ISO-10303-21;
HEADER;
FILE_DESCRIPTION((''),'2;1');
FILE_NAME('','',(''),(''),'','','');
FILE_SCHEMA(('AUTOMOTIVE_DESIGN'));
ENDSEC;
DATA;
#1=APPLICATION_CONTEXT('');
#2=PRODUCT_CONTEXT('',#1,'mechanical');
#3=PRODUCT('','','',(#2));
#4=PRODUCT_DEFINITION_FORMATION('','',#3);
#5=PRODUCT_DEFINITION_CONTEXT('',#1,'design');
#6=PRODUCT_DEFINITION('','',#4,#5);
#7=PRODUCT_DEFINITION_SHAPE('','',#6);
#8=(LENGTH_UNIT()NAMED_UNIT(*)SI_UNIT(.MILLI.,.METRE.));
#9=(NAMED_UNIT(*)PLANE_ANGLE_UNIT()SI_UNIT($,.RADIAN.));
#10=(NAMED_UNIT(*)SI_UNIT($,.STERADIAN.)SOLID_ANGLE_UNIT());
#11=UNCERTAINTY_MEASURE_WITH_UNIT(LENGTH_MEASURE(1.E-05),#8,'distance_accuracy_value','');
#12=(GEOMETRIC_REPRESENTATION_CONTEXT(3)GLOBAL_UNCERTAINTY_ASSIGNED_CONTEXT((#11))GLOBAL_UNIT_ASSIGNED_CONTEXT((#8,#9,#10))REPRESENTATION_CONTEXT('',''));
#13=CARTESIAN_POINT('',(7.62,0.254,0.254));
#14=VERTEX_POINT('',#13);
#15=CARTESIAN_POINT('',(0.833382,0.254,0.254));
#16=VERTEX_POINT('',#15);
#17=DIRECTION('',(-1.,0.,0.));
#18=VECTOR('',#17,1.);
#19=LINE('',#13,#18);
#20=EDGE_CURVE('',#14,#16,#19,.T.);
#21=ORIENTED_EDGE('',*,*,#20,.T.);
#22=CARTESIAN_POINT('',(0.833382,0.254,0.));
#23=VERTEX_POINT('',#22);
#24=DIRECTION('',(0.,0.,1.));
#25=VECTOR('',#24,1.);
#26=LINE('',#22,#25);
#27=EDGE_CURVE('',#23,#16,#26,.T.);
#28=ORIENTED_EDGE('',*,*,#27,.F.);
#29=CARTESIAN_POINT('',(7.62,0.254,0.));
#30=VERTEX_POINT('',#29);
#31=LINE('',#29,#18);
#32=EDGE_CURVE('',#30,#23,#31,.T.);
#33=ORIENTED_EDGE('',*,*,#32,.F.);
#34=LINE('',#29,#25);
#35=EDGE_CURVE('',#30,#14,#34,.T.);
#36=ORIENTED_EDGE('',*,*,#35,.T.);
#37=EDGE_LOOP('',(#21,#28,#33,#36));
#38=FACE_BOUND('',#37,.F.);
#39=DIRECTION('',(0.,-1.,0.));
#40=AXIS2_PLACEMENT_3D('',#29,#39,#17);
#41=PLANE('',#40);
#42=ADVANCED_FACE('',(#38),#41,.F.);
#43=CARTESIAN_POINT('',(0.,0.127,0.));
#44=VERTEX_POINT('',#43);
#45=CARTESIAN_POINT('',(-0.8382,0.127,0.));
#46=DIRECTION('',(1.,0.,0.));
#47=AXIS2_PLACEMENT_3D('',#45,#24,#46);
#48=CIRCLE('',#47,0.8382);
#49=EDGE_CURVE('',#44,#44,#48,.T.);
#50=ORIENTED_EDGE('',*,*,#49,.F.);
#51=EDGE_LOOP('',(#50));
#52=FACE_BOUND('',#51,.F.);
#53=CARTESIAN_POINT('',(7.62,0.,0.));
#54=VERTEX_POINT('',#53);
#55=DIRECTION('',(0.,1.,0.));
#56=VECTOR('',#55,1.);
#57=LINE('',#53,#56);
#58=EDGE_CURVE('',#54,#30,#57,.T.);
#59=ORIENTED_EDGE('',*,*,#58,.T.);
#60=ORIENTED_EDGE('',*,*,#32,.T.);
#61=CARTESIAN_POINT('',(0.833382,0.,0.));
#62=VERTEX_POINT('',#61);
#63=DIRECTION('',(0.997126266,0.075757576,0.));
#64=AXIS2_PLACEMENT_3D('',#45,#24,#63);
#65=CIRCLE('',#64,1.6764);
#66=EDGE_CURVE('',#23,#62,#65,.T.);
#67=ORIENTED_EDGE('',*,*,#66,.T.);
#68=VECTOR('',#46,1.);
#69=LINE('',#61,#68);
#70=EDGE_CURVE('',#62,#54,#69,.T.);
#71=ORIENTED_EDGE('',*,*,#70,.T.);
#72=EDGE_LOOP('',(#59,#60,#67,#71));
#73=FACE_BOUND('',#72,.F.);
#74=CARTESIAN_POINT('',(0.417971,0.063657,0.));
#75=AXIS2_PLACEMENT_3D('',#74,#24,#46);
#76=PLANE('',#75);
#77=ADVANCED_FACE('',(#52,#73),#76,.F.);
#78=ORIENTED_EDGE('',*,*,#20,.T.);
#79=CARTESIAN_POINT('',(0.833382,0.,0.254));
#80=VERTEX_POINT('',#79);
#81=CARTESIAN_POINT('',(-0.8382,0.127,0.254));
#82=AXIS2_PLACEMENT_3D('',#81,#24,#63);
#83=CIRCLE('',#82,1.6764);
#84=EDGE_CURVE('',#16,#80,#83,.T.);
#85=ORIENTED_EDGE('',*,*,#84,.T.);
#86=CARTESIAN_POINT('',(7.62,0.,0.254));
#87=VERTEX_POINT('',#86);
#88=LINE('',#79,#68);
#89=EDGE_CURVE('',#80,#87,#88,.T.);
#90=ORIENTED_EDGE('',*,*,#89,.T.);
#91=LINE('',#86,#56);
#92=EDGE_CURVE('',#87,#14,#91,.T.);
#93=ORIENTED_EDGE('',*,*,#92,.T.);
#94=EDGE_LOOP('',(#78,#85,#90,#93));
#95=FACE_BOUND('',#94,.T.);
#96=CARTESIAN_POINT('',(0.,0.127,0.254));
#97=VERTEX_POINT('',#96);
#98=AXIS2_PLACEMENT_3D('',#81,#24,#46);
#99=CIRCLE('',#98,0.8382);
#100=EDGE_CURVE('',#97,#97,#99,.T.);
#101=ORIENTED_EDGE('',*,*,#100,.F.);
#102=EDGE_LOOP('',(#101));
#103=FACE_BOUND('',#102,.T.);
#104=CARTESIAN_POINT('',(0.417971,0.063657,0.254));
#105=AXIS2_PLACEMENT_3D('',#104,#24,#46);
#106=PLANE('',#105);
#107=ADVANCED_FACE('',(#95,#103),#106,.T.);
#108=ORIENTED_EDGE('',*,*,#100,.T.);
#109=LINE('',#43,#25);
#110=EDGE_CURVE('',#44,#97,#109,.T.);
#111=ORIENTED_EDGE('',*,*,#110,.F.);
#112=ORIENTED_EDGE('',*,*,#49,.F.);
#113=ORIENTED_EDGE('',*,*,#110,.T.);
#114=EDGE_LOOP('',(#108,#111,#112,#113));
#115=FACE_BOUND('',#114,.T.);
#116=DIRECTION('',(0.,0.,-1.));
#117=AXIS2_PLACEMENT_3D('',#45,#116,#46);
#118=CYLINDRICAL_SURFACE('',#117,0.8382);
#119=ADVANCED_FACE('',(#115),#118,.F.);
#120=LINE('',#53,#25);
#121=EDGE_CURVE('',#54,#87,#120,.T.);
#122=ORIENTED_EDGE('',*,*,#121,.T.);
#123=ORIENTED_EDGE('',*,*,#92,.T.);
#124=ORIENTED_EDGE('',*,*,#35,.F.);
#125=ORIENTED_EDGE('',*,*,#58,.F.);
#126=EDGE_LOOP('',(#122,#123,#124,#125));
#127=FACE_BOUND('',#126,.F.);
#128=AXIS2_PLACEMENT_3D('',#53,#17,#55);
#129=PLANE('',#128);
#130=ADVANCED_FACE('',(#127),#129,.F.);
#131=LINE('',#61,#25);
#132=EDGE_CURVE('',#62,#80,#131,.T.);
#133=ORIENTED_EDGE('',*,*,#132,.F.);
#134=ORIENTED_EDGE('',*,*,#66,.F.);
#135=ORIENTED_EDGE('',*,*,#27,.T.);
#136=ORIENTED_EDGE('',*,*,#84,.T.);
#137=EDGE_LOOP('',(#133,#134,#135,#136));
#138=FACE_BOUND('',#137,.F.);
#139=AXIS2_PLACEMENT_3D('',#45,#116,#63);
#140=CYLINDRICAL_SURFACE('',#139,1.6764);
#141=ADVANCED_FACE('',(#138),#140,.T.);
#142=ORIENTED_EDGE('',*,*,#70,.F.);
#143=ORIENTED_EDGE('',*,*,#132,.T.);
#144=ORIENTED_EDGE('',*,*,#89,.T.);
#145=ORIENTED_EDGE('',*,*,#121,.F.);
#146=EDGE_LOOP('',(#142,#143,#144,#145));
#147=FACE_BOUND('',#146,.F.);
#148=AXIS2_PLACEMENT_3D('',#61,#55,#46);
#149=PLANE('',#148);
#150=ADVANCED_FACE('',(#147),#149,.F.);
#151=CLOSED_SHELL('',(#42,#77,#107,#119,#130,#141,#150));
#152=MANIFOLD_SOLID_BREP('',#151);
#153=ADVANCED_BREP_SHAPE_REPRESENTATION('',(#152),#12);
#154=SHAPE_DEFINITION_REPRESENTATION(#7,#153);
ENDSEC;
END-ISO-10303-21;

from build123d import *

# Parameters (mm, degrees)
F0_R     = 0.8382
F1_DEPTH = 0.254


with BuildPart() as f1:
    # F0 (on Top) → F1 (new body)
    with BuildSketch(Plane.XY):
        with BuildLine():
            Line((0, 0.127), (0, 0))
            Line((0, 0), (0.8333824718, 0))
            ThreePointArc((0.8333824718, 0), (0.836995185, 0.0634543302), (0.8382, 0.127))
            Line((0.8382, 0.127), (0, 0.127))
        make_face()
        with BuildLine():
            Line((0.8333824718, 0), (0, 0))
            Line((0, 0), (0, 0.127))
            Line((0, 0.127), (0, 0.254))
            Line((0, 0.254), (0.8333824718, 0.254))
            ThreePointArc((0.8333824718, 0.254), (-2.5146, 0.127), (0.8333824718, 0))
        make_face()
        with Locations((-0.8382, 0.127)):
            Circle(F0_R, mode=Mode.SUBTRACT)
        with BuildLine():
            ThreePointArc((0.8382, 0.127), (0.836995185, 0.0634543302), (0.8333824718, 0))
            Line((0.8333824718, 0), (7.62, 0))
            Line((7.62, 0), (7.62, 0.254))
            Line((7.62, 0.254), (0.8333824718, 0.254))
            ThreePointArc((0.8333824718, 0.254), (0.836995185, 0.1905456698), (0.8382, 0.127))
        make_face()
        with BuildLine():
            Line((0, 0.254), (0, 0.127))
            Line((0, 0.127), (0.8382, 0.127))
            ThreePointArc((0.8382, 0.127), (0.836995185, 0.1905456698), (0.8333824718, 0.254))
            Line((0.8333824718, 0.254), (0, 0.254))
        make_face()
    extrude(amount=F1_DEPTH)


solid = f1.part
